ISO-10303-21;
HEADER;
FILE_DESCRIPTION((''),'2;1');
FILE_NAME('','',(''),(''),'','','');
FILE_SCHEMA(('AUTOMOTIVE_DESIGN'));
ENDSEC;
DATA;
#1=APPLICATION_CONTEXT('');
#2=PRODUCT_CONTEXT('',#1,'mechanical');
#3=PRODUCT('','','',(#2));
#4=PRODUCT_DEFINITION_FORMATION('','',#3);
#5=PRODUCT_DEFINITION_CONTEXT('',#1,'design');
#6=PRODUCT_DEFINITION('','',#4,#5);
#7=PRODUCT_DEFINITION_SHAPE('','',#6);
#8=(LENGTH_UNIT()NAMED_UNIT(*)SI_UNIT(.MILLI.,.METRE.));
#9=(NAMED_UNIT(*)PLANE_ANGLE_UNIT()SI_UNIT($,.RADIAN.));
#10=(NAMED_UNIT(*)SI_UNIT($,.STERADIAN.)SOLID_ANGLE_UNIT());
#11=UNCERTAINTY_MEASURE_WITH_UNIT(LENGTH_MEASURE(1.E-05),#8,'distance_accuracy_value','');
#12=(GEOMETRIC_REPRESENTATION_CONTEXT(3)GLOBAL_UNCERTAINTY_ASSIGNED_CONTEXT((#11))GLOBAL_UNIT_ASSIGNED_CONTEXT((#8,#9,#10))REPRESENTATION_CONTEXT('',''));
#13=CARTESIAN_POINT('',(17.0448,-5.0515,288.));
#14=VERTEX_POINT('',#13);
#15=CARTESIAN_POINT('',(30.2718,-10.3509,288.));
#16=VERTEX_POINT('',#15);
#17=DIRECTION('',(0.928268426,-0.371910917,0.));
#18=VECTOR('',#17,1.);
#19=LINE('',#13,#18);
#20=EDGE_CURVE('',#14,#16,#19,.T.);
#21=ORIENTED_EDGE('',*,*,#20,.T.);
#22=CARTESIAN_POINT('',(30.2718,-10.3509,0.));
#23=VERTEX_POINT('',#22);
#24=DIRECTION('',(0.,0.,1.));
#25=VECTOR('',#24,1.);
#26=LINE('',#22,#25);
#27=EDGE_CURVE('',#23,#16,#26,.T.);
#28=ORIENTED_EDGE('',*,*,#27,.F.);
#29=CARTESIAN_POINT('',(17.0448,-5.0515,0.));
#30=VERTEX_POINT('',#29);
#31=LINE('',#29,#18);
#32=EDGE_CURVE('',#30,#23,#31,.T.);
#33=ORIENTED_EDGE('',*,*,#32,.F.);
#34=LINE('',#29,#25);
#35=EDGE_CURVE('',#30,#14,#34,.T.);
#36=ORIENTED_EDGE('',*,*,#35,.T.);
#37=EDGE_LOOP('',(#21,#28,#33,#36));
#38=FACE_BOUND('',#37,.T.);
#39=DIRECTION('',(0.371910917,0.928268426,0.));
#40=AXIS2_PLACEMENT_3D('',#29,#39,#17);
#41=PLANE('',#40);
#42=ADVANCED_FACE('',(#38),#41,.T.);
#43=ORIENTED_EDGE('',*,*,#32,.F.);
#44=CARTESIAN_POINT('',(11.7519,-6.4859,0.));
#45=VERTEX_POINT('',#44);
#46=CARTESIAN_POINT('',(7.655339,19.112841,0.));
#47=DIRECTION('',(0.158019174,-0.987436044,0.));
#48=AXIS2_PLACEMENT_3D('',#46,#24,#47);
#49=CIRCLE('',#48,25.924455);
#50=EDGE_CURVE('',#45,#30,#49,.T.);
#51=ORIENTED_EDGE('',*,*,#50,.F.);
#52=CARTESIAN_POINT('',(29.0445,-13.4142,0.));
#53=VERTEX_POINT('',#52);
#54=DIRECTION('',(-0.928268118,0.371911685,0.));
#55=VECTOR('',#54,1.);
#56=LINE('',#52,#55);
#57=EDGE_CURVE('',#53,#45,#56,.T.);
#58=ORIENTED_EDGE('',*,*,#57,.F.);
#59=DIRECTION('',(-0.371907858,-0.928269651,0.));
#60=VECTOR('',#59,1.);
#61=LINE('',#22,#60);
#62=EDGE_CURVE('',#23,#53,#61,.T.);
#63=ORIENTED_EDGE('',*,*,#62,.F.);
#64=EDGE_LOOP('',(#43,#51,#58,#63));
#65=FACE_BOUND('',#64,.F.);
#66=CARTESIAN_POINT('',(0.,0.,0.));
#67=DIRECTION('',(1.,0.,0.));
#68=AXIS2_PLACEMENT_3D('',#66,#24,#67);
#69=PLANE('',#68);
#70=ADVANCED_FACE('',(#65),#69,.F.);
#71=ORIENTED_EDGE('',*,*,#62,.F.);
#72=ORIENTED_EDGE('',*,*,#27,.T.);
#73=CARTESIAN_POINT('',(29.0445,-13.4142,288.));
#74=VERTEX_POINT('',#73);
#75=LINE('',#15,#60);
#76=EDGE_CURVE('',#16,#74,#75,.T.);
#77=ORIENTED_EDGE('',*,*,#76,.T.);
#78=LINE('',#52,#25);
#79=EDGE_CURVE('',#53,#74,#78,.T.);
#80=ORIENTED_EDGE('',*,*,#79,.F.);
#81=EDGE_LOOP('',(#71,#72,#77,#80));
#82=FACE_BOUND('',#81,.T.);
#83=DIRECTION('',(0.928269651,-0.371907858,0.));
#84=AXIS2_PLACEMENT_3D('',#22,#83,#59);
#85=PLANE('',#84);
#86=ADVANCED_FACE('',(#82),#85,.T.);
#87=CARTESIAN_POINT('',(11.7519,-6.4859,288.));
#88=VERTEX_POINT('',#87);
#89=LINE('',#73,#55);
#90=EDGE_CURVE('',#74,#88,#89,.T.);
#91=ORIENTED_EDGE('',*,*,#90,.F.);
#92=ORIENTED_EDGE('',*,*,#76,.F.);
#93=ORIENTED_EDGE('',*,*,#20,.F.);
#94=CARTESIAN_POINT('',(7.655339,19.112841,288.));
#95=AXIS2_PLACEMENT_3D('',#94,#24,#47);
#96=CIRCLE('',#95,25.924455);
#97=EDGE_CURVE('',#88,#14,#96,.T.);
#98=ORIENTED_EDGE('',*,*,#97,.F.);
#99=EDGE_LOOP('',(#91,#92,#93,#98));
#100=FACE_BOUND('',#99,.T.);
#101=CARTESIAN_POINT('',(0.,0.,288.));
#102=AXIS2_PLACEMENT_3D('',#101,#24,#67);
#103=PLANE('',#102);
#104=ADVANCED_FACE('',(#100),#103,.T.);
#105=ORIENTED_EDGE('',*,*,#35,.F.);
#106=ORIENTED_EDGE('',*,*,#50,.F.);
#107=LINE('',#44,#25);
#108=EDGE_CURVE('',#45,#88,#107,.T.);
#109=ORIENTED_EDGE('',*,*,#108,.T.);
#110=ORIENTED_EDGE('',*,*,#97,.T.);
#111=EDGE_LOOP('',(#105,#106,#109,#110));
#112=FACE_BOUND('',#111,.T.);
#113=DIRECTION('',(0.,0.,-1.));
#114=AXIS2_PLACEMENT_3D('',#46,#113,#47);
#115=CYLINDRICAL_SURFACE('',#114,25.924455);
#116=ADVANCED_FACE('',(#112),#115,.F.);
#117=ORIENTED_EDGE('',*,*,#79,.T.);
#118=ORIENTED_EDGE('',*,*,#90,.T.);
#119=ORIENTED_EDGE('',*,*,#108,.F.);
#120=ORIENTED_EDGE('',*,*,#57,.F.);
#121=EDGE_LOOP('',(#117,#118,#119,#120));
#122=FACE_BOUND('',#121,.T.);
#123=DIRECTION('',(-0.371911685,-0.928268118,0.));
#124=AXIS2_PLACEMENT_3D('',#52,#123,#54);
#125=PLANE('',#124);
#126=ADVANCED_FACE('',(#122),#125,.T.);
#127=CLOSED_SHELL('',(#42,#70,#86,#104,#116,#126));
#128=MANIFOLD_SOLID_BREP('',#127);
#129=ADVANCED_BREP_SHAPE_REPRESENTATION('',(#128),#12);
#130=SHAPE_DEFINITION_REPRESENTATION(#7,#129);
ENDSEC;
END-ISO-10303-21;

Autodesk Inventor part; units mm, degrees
ref_plane "YZ Plane" through (0, 0, 0) normal (1, 0, 0) x (0, 1, 0)
ref_plane "XZ Plane" through (0, 0, 0) normal (0, 1, 0) x (-1, 0, 0)
ref_plane "Work Plane1" through (0, 0, 0) normal (0, 0, 1) x (1, 0, 0)
sketch "Sketch1" plane through (0, 0, 0) normal (0, 0, 1) x (1, 0, 0)
  arc A0 (11.7519, -6.4859) -> (17.0448, -5.0515) centre (7.6561, 19.1093) ccw projected
  line L0 (29.0445, -13.4142) -> (11.7519, -6.4859) projected
  arc A1 (11.7519, -6.4859) -> (17.0448, -5.0515) centre (7.6561, 19.1093) ccw projected
  line L1 (29.0445, -13.4142) -> (11.7519, -6.4859) projected
  line L2 (17.0448, -5.0515) -> (-15.8175, 8.1147)
  line L3 (11.7519, -6.4859) -> (-12.9792, 3.4226)
  line L4 (30.2718, -10.3509) -> (29.0445, -13.4142) projected
  line L5 (17.0448, -5.0515) -> (30.2718, -10.3509) projected
  line L6 (30.2718, -10.3509) -> (29.0445, -13.4142) projected
  line L7 (17.0448, -5.0515) -> (30.2718, -10.3509) projected
  point P0 (0, 0)
extrude "Extrusion1" add sketch "Sketch1" along normal blind 288
sketch "Sketch2" plane through (-30.2513, 13.8976, 288) normal (0.3719, 0.9283, 0) x (0.9283, -0.3719, 0)
  circle A0 centre (7.1485, 7.8489) radius 2
  point P0 (33.25, 288)
  dimension "d2" = 4
extrude "Extrusion2" [suppressed]
pattern_linear "Rectangular Pattern1" [suppressed]
ref_plane "Work Plane2" through (-30.8649, 12.366, 288) normal (0.3719, 0.9283, 0) x (0.9283, -0.3719, 0)
properties part number "platte"
